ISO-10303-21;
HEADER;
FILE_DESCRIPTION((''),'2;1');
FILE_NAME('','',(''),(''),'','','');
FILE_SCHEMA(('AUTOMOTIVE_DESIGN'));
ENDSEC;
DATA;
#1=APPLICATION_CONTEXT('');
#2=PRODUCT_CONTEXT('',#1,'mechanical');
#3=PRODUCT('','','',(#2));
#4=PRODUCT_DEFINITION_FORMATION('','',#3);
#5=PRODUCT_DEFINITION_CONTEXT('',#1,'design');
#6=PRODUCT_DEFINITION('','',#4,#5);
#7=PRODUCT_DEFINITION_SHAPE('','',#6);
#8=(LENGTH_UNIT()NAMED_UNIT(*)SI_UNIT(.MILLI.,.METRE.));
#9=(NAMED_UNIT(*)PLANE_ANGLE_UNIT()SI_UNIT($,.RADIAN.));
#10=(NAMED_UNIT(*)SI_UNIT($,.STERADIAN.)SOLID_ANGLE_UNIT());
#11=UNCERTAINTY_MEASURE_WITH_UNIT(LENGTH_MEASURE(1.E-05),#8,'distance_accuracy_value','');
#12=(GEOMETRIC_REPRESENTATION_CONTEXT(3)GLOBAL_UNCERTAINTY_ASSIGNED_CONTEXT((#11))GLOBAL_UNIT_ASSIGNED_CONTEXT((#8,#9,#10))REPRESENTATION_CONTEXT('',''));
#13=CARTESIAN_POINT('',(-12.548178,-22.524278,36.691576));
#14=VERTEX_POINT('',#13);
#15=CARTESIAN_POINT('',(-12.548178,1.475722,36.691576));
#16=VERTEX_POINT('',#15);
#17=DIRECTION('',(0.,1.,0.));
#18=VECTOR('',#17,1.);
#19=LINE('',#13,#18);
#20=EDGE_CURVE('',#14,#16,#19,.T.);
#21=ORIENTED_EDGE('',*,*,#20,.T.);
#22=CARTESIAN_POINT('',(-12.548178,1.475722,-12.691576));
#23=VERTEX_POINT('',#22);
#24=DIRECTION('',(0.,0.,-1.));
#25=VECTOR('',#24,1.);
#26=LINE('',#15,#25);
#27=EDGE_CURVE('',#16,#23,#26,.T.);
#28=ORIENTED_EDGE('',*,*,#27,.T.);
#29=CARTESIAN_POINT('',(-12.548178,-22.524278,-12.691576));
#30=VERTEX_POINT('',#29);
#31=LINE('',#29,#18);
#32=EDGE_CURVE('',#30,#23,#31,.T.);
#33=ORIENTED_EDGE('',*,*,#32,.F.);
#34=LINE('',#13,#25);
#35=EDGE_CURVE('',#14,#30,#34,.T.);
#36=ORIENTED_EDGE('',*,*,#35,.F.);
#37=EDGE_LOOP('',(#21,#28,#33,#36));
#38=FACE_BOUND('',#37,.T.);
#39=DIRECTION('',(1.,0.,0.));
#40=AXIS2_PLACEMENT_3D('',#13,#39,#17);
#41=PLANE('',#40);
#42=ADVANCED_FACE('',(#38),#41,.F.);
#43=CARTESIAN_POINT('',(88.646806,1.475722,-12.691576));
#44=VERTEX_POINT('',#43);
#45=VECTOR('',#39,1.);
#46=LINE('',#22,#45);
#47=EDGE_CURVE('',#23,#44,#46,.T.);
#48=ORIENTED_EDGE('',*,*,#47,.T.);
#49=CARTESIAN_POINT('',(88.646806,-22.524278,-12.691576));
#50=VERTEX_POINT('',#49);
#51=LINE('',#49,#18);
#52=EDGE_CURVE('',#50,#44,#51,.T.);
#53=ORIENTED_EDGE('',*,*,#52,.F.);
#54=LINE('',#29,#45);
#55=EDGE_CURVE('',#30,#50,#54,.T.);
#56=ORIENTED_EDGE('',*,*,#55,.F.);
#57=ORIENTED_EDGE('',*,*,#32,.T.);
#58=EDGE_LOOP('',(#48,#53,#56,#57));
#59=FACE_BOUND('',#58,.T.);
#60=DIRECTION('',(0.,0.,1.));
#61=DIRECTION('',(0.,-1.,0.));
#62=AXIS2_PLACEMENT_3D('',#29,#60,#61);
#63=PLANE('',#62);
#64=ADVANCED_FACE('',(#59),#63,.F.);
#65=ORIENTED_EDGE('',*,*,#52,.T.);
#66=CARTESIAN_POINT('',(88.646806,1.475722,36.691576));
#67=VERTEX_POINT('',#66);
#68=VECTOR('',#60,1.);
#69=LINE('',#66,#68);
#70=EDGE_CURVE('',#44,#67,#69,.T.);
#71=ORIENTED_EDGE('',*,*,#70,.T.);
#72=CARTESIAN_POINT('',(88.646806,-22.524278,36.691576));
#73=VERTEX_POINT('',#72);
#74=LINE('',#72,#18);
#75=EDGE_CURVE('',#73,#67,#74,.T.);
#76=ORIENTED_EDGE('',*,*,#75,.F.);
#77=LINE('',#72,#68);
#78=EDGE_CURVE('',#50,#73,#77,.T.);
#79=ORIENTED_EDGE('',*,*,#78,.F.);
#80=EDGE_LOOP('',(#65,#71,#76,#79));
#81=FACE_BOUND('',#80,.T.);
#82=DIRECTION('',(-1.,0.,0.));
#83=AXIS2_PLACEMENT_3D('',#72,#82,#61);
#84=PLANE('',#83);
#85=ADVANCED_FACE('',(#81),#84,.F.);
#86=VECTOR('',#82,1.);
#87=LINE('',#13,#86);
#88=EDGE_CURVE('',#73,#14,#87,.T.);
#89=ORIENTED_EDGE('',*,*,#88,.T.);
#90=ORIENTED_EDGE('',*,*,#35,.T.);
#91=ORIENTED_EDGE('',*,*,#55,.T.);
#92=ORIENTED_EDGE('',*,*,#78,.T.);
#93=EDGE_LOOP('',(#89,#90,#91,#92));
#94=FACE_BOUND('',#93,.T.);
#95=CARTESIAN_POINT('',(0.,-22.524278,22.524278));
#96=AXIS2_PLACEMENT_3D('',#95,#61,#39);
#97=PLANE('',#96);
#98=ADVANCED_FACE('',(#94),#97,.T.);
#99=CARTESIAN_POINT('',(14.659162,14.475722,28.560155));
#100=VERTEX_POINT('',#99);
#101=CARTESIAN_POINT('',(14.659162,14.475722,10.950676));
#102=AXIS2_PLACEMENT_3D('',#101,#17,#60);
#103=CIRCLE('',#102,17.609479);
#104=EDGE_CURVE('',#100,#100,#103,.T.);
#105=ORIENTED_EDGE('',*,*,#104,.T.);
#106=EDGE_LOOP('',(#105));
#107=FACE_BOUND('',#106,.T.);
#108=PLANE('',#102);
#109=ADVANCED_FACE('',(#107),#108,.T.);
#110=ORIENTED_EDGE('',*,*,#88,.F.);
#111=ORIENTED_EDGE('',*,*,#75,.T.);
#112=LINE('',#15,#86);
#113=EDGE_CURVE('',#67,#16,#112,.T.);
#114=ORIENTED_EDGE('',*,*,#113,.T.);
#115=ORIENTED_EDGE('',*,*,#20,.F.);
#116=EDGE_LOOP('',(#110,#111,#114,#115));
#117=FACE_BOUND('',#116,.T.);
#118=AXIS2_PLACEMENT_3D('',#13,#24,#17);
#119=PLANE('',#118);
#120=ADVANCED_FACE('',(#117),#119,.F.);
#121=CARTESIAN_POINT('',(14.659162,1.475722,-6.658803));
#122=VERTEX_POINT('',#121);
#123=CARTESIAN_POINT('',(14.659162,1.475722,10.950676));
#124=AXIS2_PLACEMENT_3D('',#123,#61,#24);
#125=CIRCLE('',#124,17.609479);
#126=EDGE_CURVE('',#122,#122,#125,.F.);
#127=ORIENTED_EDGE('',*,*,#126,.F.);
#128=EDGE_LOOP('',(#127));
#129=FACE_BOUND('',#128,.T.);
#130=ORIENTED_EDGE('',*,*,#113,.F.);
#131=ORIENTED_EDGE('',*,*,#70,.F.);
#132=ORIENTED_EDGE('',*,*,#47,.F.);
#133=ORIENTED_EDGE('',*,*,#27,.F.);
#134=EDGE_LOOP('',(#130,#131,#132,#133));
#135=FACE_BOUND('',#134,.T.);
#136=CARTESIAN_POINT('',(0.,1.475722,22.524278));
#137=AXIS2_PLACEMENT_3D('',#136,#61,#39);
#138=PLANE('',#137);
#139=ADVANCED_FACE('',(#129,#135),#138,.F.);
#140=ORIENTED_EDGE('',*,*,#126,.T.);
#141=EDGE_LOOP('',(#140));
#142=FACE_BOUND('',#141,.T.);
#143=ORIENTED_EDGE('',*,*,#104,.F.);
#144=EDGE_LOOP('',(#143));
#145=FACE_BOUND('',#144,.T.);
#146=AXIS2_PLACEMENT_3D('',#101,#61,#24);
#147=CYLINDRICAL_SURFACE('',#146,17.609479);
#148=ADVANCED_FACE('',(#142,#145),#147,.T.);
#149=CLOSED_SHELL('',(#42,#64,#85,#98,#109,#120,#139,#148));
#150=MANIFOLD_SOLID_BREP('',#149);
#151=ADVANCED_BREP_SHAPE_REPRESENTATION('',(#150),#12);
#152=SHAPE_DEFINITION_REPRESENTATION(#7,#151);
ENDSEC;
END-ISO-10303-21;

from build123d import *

# Parameters (mm, degrees)
IZIM1_W                     = 101.194983934
IZIM1_H                     = 49.38315216
Y_KSEKLIK_EKSTR_ZYON2_DEPTH = 24
G_VDE_TA_KOPYALA1_ANGLE     = 90
IZIM2_R                     = 17.60947899
Y_KSEKLIK_EKSTR_ZYON4_DEPTH = 13


with BuildPart() as part:
    # Çizim1 → Yükseklik-Ekstrüzyon2 (new body)
    with BuildSketch(Plane.XY):
        with Locations((38.049313959, -10.524278329)):
            Rectangle(IZIM1_W, IZIM1_H)
    extrude(amount=Y_KSEKLIK_EKSTR_ZYON2_DEPTH)


with BuildPart() as part_1:
    # Gövde-Taşı/Kopyala1: moved
    add(part.part.rotate(Axis((0, -10.524278329, 12), (1, 0, 0)), G_VDE_TA_KOPYALA1_ANGLE))

    # Çizim2 → Yükseklik-Ekstrüzyon4 (add)
    with BuildSketch(Plane(origin=(0, 1.475721671, 0), x_dir=(1, 0, 0), z_dir=(0, 1, 0))):
        with Locations(Location((14.659162211, -10.95067627, 0), (0, 0, 90))):
            Circle(IZIM2_R)
    extrude(amount=Y_KSEKLIK_EKSTR_ZYON4_DEPTH)


solid = part_1.part
